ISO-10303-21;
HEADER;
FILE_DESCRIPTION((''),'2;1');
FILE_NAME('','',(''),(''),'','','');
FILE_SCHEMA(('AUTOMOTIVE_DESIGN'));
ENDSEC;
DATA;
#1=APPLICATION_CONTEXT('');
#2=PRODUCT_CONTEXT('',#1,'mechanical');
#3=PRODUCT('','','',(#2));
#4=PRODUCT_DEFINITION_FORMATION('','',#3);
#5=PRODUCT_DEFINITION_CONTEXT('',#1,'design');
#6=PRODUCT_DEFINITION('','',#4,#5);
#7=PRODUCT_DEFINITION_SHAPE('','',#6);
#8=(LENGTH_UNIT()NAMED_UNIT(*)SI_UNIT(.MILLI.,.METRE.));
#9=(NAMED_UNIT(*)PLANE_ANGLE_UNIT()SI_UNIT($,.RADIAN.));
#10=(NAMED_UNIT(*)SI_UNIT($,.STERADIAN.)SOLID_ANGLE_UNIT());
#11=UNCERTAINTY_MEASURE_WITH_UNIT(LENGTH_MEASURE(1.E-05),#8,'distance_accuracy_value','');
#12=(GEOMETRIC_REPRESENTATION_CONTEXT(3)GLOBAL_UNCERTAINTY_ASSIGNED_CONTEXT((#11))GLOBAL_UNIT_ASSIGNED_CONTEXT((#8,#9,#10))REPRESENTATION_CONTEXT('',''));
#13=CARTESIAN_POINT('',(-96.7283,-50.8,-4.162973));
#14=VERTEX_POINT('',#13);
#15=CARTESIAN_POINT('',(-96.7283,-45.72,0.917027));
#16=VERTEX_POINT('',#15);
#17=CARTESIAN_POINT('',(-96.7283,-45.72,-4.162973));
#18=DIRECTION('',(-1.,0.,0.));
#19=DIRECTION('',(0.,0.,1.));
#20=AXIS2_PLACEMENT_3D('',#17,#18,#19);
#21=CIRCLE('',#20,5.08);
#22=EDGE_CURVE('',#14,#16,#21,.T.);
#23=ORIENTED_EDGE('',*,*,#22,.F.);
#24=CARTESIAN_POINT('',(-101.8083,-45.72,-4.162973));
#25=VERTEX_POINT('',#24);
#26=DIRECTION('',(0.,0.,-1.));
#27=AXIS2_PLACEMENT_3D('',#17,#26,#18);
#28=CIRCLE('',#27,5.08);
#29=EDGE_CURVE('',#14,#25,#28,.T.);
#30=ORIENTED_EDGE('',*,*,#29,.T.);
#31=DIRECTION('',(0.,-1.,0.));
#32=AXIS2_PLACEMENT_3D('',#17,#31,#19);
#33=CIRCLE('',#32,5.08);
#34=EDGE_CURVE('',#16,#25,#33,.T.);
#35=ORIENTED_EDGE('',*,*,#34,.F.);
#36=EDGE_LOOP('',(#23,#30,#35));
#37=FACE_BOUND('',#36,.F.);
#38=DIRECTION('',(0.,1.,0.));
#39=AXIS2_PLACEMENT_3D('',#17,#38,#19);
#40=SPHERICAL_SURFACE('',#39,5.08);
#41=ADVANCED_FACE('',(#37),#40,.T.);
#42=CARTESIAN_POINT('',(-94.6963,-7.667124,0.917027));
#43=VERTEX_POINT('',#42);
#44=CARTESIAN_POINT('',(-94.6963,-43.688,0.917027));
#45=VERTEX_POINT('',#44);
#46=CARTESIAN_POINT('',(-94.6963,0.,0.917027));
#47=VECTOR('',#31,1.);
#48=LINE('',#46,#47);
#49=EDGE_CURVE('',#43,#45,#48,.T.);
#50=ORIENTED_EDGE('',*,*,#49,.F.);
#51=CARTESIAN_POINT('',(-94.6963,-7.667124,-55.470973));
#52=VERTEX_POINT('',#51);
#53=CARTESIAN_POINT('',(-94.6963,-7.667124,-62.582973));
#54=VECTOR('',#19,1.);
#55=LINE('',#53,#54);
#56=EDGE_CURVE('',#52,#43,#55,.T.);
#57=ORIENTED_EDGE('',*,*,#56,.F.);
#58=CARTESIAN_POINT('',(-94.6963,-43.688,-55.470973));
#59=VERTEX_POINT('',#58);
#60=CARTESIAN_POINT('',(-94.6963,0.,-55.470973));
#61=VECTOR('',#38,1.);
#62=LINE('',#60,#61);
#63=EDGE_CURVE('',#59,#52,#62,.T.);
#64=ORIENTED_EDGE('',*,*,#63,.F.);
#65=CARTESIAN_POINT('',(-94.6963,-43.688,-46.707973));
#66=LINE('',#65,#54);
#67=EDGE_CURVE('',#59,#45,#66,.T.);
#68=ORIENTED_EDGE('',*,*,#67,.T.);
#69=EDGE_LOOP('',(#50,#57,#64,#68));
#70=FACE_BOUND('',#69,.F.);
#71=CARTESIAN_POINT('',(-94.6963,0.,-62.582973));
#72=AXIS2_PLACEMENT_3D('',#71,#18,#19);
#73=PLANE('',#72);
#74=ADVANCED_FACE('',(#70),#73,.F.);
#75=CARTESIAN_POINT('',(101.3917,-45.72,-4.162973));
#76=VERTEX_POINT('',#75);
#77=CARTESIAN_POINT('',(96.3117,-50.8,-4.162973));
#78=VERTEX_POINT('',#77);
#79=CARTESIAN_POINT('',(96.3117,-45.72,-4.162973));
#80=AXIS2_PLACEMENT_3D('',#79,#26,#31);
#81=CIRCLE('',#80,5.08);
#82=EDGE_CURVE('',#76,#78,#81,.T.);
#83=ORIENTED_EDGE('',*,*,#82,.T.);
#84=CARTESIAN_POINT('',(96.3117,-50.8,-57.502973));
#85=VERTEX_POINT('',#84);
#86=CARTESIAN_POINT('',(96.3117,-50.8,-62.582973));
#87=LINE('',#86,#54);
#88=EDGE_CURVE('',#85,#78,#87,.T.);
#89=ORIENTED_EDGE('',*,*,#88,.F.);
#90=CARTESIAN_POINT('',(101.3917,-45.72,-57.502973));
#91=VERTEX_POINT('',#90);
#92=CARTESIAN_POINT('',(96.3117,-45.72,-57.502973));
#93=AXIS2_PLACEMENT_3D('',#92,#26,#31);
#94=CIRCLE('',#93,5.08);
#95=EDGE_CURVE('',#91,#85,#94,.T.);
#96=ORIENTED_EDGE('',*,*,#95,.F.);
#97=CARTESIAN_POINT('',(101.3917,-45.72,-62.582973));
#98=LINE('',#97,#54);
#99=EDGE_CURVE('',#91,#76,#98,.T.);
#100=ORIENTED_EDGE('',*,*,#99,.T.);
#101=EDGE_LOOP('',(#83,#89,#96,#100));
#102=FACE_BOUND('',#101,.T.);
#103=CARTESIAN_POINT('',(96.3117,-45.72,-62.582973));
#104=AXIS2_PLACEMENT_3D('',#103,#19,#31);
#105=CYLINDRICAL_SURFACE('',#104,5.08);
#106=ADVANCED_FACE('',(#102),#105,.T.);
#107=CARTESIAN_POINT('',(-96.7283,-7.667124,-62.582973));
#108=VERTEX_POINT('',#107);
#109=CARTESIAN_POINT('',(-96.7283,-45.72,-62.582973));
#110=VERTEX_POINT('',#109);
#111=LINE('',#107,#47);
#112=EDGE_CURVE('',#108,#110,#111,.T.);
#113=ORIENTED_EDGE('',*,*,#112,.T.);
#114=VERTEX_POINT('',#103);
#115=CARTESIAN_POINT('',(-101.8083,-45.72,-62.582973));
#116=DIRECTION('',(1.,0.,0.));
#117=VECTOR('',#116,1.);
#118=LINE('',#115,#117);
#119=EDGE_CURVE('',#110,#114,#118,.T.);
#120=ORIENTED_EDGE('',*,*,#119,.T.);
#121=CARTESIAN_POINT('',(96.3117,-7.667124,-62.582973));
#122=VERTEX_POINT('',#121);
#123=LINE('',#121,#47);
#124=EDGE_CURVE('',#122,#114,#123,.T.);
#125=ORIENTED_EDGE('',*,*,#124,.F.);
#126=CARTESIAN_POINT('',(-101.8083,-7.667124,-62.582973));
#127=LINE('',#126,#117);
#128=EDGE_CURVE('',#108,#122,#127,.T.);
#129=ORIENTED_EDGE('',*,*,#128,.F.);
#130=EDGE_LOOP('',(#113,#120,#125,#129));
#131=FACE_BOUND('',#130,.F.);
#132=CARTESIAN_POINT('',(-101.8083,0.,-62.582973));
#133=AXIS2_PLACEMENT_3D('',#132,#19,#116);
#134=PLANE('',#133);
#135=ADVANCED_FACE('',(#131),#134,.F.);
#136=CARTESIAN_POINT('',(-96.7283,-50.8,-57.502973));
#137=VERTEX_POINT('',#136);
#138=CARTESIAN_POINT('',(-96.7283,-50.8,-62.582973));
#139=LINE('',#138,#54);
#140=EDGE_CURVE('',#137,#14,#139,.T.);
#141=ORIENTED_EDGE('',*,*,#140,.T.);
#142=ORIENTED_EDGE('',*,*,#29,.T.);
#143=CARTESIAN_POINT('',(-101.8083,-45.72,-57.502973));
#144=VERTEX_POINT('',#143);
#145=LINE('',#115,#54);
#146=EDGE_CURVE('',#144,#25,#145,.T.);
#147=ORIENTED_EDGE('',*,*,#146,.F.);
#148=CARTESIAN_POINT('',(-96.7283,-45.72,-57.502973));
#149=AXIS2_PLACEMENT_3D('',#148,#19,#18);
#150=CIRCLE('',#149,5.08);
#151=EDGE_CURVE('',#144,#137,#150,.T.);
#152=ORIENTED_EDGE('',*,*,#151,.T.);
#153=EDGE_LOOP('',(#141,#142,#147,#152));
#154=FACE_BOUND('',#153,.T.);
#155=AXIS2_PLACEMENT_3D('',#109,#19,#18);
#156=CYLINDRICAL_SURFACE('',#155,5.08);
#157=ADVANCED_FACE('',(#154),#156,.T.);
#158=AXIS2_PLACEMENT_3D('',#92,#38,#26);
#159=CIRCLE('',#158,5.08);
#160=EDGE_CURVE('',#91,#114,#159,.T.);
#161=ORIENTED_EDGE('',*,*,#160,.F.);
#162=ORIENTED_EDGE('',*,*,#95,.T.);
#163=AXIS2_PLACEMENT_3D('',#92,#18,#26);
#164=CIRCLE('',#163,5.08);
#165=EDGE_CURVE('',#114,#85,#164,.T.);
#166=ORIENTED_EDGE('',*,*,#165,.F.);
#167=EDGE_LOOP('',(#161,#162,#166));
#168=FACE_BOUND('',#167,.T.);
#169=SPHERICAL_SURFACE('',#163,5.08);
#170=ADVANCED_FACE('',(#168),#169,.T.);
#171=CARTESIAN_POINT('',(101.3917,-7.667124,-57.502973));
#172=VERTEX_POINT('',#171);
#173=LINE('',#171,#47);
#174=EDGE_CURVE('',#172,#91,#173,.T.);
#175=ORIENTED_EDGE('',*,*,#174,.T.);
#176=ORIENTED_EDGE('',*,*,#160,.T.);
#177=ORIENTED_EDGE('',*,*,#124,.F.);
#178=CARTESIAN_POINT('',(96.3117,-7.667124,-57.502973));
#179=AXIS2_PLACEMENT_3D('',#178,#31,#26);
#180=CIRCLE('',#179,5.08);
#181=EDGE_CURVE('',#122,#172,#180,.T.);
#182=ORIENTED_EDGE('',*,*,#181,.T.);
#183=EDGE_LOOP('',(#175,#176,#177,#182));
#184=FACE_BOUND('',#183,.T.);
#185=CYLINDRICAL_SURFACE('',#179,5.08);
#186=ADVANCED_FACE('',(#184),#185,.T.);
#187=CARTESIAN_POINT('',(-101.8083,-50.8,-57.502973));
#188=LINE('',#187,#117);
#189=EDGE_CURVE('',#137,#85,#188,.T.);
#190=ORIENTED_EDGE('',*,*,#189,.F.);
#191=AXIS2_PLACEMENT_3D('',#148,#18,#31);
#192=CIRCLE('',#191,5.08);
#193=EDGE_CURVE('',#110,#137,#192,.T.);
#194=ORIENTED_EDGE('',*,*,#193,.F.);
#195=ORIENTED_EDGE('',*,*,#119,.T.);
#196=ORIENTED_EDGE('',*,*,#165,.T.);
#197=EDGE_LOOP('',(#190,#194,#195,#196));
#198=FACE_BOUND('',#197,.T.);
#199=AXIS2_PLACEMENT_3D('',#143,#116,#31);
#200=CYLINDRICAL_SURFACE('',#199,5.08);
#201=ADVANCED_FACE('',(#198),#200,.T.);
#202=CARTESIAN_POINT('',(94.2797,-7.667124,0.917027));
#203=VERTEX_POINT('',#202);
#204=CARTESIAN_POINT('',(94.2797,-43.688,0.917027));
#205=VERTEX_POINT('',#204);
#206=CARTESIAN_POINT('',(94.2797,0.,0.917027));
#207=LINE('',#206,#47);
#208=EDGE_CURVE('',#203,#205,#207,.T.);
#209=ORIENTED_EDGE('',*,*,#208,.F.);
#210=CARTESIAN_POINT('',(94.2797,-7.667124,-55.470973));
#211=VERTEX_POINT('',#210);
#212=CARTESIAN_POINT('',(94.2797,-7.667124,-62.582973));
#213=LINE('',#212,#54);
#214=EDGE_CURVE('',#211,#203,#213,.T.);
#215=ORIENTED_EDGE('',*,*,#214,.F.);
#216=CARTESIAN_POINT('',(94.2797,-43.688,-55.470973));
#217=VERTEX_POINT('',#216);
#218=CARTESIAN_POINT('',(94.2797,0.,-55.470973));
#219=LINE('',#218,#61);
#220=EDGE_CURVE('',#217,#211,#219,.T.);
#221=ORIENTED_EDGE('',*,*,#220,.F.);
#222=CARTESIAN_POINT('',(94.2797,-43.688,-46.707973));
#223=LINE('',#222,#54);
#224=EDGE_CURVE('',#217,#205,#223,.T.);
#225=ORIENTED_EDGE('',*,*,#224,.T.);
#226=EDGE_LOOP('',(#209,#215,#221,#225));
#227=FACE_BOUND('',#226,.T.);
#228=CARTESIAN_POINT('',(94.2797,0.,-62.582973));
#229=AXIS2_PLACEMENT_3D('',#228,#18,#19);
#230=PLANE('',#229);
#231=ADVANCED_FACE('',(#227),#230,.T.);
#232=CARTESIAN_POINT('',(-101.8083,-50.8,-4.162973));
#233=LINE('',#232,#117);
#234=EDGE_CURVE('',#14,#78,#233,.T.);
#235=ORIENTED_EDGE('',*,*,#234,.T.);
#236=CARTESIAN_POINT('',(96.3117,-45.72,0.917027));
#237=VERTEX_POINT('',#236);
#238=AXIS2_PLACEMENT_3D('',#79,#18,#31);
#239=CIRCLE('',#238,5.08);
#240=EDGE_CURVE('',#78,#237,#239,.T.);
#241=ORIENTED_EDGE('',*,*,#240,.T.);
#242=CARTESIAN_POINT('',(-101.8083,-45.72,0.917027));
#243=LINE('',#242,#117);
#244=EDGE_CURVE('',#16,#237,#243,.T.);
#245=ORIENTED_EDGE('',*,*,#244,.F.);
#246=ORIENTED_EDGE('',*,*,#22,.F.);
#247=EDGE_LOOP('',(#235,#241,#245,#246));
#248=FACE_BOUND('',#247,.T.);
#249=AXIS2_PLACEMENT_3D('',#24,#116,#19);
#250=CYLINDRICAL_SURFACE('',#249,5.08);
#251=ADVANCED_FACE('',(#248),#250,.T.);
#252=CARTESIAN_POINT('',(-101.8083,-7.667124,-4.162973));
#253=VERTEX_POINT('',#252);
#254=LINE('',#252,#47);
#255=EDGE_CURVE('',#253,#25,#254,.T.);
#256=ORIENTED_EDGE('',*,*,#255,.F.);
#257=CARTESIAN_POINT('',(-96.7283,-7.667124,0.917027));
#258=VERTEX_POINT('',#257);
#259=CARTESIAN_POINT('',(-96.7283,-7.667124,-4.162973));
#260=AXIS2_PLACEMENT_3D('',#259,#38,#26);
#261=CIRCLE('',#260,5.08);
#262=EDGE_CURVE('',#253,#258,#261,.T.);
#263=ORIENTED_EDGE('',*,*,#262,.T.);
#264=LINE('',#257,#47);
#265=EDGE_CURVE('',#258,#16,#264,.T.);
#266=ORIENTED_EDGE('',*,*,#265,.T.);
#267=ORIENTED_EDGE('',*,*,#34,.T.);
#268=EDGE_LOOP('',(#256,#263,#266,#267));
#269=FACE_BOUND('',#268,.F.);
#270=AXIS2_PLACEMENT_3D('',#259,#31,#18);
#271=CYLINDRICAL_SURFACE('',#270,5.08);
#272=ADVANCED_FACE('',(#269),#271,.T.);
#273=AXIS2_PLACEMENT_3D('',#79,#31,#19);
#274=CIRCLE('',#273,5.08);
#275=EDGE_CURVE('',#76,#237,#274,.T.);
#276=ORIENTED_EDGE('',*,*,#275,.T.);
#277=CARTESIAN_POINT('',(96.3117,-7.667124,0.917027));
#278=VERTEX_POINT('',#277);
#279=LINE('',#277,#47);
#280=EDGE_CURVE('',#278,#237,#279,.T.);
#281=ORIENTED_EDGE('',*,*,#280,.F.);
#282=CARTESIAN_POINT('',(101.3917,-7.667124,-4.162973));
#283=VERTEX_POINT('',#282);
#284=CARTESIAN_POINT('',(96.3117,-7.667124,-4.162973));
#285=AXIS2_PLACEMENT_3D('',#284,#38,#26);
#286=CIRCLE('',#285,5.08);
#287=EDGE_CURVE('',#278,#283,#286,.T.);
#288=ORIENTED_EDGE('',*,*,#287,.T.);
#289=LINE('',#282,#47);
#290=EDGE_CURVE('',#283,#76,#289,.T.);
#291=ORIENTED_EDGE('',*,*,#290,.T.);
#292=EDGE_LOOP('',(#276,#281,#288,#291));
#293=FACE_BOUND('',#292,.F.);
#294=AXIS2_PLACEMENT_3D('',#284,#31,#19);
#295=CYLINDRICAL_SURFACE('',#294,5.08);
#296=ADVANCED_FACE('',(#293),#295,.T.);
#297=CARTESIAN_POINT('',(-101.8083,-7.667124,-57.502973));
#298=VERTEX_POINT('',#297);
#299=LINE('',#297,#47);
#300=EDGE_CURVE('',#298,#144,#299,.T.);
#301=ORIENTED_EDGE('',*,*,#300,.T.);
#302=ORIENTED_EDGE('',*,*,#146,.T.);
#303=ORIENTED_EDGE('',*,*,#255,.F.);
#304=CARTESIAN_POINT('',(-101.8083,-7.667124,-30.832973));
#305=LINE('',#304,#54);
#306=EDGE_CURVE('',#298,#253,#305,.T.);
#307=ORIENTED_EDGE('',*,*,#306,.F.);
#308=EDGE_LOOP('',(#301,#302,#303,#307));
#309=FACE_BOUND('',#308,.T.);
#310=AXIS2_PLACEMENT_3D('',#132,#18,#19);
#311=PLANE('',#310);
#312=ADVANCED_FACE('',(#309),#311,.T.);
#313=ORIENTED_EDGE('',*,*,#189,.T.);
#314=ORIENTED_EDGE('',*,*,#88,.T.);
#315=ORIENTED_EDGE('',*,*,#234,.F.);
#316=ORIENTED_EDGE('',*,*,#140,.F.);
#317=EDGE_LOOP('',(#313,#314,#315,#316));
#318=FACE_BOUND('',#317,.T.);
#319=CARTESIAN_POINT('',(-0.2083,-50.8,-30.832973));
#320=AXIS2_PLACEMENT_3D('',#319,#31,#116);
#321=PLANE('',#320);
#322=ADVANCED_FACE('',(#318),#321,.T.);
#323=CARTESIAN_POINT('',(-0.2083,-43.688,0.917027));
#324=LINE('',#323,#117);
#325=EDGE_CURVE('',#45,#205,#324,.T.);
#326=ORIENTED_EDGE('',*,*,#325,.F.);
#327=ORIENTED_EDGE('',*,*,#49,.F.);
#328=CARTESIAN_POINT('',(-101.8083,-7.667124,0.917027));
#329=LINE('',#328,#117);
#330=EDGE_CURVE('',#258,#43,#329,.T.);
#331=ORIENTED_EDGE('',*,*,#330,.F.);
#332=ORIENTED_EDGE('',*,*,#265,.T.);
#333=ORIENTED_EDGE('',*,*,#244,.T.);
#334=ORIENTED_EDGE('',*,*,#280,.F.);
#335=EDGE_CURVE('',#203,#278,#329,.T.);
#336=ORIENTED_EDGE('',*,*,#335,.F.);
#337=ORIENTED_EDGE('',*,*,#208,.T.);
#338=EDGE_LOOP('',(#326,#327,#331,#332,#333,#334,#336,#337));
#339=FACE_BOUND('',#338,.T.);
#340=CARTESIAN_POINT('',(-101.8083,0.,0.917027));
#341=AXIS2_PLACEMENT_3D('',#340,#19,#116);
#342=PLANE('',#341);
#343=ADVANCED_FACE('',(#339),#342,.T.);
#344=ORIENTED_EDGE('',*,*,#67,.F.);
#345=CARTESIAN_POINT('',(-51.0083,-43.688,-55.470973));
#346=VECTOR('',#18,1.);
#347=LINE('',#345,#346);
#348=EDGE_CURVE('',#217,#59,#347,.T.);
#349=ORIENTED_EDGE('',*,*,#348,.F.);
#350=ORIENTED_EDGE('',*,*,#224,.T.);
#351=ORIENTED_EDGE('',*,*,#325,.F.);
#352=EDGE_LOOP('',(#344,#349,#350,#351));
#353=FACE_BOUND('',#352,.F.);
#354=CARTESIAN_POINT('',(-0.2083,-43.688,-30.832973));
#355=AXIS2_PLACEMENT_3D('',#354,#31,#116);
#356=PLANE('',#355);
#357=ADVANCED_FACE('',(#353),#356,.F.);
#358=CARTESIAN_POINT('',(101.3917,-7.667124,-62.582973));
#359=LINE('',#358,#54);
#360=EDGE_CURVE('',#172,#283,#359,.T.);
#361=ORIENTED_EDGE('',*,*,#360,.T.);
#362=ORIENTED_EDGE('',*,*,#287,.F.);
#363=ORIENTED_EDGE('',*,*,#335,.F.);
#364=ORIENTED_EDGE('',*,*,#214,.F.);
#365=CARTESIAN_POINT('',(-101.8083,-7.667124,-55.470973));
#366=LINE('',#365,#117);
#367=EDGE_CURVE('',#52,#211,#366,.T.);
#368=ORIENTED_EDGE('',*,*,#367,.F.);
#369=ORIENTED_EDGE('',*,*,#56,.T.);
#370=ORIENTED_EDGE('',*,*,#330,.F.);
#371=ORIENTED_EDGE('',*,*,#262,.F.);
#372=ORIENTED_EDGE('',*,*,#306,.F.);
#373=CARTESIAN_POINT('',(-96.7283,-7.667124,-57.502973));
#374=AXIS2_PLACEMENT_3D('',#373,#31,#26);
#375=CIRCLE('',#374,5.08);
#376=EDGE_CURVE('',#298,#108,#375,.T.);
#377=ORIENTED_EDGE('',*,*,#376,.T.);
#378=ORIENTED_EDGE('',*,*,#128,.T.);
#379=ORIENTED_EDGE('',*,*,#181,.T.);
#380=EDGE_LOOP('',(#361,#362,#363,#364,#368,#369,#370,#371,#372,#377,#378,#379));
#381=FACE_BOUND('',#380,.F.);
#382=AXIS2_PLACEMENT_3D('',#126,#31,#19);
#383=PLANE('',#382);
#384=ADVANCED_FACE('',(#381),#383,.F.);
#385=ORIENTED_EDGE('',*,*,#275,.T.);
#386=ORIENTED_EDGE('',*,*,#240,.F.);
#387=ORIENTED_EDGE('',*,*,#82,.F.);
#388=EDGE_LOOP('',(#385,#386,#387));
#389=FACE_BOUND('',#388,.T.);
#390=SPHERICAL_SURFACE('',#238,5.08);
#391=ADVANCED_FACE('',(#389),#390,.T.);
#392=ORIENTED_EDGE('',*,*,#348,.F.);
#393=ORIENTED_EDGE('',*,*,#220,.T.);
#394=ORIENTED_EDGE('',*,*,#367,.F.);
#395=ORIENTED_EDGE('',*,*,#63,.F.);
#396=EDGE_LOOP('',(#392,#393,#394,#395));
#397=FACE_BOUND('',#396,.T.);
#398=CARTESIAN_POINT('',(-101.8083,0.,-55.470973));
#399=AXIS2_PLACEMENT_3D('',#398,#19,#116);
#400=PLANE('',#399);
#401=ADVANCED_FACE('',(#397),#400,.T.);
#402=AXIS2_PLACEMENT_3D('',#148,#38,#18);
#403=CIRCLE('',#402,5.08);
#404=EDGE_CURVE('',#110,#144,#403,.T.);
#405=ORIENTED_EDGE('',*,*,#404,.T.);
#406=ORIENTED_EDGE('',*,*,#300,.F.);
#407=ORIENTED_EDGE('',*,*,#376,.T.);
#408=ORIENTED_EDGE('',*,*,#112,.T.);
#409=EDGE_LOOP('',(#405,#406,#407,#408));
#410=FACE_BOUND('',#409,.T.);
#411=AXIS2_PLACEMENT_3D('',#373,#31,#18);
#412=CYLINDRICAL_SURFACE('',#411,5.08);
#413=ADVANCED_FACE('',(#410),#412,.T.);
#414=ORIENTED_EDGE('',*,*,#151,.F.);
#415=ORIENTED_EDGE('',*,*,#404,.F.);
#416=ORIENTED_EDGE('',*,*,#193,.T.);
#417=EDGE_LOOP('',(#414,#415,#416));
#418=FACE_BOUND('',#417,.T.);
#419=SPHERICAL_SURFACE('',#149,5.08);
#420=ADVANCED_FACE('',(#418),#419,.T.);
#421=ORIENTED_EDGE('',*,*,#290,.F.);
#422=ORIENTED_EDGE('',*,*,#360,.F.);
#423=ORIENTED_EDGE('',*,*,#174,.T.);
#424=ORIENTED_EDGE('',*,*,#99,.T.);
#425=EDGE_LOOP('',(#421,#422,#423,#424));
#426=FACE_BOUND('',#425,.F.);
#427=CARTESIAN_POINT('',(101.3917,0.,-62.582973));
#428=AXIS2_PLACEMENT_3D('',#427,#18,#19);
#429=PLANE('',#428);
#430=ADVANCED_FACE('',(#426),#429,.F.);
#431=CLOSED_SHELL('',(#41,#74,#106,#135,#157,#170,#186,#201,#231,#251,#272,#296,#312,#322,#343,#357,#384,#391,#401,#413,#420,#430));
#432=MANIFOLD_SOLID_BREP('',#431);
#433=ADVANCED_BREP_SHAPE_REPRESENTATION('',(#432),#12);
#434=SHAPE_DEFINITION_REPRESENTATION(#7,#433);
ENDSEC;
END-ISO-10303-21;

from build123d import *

# Parameters (mm, degrees)
F0_W     = 203.2
F0_H     = 63.5
F1_DEPTH = 50.8
F2_T     = -7.112
F3_W     = 7.667125
F3_H     = 63.5
F4_DEPTH = 208.026
F5_R     = 5.08


with BuildPart() as f1:
    # F0 (on Front) → F1 (new body)
    with BuildSketch(Plane.XZ):
        with Locations((-0.2083, -30.832973)):
            Rectangle(F0_W, F0_H)
    extrude(amount=F1_DEPTH)

    # F2
    f2_openings = [f1.faces().sort_by_distance(p)[0] for p in [
        (-0.2083, -25.4, 0.917027),
    ]]
    offset(amount=F2_T, openings=f2_openings)

    # F3 (on face) → F4 (cut)
    with BuildSketch(Plane(origin=(-101.8083, 0, 0), x_dir=(0, -1, 0), z_dir=(-1, 0, 0))):
        with Locations((3.833562, -30.832973)):
            Rectangle(F3_W, F3_H)
    extrude(amount=-F4_DEPTH, mode=Mode.SUBTRACT)

    # F5
    f5_edges = [f1.edges().sort_by_distance(p)[0] for p in [
        (-101.8083, -29.233563, 0.917027),
        (-0.2083, -50.8, 0.917027),
        (-101.8083, -50.8, -30.832973),
        (-101.8083, -29.233563, -62.582973),
        (-0.2083, -50.8, -62.582973),
        (101.3917, -29.233563, -62.582973),
        (101.3917, -50.8, -30.832973),
        (101.3917, -29.233563, 0.917027),
    ]]
    fillet(f5_edges, radius=F5_R)


solid = f1.part
